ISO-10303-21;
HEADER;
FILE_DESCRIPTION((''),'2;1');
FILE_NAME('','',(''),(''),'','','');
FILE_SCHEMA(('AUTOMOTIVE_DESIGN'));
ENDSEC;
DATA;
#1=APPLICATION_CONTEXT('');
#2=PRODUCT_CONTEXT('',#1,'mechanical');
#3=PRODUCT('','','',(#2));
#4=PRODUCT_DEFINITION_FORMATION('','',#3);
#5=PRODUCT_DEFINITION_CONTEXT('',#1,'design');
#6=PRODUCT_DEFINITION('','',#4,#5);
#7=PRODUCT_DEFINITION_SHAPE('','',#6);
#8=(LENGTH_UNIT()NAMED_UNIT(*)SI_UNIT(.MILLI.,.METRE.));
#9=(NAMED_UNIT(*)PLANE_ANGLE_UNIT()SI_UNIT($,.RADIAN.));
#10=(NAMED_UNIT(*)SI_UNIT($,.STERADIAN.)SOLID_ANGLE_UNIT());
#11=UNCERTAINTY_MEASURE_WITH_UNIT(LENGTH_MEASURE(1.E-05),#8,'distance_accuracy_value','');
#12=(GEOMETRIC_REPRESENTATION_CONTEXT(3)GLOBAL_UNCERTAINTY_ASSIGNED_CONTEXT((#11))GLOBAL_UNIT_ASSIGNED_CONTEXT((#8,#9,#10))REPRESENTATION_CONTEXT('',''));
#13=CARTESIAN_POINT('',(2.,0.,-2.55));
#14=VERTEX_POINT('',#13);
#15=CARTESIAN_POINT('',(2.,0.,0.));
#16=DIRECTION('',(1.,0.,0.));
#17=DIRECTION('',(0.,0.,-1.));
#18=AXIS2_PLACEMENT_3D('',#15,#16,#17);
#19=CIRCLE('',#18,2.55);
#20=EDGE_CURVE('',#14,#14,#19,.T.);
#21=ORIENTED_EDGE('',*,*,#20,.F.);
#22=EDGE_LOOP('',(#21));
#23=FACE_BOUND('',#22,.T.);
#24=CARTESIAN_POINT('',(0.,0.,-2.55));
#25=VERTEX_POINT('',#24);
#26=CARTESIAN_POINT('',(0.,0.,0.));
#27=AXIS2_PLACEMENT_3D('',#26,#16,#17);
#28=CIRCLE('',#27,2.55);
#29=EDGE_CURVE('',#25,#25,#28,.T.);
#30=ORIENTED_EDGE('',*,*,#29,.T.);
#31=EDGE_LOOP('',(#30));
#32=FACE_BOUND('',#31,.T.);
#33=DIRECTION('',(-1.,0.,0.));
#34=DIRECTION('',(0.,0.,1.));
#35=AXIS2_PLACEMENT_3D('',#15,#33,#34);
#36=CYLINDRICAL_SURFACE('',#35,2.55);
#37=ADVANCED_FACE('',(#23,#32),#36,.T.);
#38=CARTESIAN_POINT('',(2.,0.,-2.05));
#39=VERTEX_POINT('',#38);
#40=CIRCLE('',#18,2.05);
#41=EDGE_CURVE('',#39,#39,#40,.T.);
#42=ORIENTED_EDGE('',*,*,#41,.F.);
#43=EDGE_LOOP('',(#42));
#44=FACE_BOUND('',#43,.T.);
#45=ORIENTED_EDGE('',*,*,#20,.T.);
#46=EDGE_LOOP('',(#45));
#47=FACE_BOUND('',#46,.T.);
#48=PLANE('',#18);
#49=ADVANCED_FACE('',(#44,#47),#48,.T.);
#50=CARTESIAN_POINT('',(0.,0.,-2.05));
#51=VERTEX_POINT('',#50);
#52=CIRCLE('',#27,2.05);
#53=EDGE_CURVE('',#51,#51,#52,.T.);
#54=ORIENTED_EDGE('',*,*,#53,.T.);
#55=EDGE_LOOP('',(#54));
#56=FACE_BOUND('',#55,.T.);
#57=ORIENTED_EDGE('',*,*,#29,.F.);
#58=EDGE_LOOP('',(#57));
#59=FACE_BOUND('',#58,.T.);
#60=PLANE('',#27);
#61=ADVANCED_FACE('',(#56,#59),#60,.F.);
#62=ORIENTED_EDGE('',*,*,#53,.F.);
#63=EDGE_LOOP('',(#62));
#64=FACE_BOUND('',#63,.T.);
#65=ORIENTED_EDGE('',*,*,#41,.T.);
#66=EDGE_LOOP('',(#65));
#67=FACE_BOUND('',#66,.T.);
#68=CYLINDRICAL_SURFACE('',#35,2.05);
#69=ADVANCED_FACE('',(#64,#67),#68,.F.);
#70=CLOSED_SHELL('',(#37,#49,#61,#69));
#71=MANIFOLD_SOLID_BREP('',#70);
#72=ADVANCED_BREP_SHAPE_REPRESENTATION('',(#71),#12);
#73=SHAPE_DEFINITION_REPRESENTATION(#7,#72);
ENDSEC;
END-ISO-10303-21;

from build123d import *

# Parameters (mm, degrees)
SKIZZE1_R                       = 2.55
SKIZZE1_R_2                     = 2.05
AUFSATZ_LINEAR_AUSTRAGEN1_DEPTH = 2


with BuildPart() as part:
    # Skizze1 → Aufsatz-Linear austragen1 (new body)
    with BuildSketch(Plane(origin=(0, 0, 0), x_dir=(0, 0, -1), z_dir=(1, 0, 0))):
        Circle(SKIZZE1_R)
        Circle(SKIZZE1_R_2, mode=Mode.SUBTRACT)
    extrude(amount=AUFSATZ_LINEAR_AUSTRAGEN1_DEPTH)


solid = part.part
